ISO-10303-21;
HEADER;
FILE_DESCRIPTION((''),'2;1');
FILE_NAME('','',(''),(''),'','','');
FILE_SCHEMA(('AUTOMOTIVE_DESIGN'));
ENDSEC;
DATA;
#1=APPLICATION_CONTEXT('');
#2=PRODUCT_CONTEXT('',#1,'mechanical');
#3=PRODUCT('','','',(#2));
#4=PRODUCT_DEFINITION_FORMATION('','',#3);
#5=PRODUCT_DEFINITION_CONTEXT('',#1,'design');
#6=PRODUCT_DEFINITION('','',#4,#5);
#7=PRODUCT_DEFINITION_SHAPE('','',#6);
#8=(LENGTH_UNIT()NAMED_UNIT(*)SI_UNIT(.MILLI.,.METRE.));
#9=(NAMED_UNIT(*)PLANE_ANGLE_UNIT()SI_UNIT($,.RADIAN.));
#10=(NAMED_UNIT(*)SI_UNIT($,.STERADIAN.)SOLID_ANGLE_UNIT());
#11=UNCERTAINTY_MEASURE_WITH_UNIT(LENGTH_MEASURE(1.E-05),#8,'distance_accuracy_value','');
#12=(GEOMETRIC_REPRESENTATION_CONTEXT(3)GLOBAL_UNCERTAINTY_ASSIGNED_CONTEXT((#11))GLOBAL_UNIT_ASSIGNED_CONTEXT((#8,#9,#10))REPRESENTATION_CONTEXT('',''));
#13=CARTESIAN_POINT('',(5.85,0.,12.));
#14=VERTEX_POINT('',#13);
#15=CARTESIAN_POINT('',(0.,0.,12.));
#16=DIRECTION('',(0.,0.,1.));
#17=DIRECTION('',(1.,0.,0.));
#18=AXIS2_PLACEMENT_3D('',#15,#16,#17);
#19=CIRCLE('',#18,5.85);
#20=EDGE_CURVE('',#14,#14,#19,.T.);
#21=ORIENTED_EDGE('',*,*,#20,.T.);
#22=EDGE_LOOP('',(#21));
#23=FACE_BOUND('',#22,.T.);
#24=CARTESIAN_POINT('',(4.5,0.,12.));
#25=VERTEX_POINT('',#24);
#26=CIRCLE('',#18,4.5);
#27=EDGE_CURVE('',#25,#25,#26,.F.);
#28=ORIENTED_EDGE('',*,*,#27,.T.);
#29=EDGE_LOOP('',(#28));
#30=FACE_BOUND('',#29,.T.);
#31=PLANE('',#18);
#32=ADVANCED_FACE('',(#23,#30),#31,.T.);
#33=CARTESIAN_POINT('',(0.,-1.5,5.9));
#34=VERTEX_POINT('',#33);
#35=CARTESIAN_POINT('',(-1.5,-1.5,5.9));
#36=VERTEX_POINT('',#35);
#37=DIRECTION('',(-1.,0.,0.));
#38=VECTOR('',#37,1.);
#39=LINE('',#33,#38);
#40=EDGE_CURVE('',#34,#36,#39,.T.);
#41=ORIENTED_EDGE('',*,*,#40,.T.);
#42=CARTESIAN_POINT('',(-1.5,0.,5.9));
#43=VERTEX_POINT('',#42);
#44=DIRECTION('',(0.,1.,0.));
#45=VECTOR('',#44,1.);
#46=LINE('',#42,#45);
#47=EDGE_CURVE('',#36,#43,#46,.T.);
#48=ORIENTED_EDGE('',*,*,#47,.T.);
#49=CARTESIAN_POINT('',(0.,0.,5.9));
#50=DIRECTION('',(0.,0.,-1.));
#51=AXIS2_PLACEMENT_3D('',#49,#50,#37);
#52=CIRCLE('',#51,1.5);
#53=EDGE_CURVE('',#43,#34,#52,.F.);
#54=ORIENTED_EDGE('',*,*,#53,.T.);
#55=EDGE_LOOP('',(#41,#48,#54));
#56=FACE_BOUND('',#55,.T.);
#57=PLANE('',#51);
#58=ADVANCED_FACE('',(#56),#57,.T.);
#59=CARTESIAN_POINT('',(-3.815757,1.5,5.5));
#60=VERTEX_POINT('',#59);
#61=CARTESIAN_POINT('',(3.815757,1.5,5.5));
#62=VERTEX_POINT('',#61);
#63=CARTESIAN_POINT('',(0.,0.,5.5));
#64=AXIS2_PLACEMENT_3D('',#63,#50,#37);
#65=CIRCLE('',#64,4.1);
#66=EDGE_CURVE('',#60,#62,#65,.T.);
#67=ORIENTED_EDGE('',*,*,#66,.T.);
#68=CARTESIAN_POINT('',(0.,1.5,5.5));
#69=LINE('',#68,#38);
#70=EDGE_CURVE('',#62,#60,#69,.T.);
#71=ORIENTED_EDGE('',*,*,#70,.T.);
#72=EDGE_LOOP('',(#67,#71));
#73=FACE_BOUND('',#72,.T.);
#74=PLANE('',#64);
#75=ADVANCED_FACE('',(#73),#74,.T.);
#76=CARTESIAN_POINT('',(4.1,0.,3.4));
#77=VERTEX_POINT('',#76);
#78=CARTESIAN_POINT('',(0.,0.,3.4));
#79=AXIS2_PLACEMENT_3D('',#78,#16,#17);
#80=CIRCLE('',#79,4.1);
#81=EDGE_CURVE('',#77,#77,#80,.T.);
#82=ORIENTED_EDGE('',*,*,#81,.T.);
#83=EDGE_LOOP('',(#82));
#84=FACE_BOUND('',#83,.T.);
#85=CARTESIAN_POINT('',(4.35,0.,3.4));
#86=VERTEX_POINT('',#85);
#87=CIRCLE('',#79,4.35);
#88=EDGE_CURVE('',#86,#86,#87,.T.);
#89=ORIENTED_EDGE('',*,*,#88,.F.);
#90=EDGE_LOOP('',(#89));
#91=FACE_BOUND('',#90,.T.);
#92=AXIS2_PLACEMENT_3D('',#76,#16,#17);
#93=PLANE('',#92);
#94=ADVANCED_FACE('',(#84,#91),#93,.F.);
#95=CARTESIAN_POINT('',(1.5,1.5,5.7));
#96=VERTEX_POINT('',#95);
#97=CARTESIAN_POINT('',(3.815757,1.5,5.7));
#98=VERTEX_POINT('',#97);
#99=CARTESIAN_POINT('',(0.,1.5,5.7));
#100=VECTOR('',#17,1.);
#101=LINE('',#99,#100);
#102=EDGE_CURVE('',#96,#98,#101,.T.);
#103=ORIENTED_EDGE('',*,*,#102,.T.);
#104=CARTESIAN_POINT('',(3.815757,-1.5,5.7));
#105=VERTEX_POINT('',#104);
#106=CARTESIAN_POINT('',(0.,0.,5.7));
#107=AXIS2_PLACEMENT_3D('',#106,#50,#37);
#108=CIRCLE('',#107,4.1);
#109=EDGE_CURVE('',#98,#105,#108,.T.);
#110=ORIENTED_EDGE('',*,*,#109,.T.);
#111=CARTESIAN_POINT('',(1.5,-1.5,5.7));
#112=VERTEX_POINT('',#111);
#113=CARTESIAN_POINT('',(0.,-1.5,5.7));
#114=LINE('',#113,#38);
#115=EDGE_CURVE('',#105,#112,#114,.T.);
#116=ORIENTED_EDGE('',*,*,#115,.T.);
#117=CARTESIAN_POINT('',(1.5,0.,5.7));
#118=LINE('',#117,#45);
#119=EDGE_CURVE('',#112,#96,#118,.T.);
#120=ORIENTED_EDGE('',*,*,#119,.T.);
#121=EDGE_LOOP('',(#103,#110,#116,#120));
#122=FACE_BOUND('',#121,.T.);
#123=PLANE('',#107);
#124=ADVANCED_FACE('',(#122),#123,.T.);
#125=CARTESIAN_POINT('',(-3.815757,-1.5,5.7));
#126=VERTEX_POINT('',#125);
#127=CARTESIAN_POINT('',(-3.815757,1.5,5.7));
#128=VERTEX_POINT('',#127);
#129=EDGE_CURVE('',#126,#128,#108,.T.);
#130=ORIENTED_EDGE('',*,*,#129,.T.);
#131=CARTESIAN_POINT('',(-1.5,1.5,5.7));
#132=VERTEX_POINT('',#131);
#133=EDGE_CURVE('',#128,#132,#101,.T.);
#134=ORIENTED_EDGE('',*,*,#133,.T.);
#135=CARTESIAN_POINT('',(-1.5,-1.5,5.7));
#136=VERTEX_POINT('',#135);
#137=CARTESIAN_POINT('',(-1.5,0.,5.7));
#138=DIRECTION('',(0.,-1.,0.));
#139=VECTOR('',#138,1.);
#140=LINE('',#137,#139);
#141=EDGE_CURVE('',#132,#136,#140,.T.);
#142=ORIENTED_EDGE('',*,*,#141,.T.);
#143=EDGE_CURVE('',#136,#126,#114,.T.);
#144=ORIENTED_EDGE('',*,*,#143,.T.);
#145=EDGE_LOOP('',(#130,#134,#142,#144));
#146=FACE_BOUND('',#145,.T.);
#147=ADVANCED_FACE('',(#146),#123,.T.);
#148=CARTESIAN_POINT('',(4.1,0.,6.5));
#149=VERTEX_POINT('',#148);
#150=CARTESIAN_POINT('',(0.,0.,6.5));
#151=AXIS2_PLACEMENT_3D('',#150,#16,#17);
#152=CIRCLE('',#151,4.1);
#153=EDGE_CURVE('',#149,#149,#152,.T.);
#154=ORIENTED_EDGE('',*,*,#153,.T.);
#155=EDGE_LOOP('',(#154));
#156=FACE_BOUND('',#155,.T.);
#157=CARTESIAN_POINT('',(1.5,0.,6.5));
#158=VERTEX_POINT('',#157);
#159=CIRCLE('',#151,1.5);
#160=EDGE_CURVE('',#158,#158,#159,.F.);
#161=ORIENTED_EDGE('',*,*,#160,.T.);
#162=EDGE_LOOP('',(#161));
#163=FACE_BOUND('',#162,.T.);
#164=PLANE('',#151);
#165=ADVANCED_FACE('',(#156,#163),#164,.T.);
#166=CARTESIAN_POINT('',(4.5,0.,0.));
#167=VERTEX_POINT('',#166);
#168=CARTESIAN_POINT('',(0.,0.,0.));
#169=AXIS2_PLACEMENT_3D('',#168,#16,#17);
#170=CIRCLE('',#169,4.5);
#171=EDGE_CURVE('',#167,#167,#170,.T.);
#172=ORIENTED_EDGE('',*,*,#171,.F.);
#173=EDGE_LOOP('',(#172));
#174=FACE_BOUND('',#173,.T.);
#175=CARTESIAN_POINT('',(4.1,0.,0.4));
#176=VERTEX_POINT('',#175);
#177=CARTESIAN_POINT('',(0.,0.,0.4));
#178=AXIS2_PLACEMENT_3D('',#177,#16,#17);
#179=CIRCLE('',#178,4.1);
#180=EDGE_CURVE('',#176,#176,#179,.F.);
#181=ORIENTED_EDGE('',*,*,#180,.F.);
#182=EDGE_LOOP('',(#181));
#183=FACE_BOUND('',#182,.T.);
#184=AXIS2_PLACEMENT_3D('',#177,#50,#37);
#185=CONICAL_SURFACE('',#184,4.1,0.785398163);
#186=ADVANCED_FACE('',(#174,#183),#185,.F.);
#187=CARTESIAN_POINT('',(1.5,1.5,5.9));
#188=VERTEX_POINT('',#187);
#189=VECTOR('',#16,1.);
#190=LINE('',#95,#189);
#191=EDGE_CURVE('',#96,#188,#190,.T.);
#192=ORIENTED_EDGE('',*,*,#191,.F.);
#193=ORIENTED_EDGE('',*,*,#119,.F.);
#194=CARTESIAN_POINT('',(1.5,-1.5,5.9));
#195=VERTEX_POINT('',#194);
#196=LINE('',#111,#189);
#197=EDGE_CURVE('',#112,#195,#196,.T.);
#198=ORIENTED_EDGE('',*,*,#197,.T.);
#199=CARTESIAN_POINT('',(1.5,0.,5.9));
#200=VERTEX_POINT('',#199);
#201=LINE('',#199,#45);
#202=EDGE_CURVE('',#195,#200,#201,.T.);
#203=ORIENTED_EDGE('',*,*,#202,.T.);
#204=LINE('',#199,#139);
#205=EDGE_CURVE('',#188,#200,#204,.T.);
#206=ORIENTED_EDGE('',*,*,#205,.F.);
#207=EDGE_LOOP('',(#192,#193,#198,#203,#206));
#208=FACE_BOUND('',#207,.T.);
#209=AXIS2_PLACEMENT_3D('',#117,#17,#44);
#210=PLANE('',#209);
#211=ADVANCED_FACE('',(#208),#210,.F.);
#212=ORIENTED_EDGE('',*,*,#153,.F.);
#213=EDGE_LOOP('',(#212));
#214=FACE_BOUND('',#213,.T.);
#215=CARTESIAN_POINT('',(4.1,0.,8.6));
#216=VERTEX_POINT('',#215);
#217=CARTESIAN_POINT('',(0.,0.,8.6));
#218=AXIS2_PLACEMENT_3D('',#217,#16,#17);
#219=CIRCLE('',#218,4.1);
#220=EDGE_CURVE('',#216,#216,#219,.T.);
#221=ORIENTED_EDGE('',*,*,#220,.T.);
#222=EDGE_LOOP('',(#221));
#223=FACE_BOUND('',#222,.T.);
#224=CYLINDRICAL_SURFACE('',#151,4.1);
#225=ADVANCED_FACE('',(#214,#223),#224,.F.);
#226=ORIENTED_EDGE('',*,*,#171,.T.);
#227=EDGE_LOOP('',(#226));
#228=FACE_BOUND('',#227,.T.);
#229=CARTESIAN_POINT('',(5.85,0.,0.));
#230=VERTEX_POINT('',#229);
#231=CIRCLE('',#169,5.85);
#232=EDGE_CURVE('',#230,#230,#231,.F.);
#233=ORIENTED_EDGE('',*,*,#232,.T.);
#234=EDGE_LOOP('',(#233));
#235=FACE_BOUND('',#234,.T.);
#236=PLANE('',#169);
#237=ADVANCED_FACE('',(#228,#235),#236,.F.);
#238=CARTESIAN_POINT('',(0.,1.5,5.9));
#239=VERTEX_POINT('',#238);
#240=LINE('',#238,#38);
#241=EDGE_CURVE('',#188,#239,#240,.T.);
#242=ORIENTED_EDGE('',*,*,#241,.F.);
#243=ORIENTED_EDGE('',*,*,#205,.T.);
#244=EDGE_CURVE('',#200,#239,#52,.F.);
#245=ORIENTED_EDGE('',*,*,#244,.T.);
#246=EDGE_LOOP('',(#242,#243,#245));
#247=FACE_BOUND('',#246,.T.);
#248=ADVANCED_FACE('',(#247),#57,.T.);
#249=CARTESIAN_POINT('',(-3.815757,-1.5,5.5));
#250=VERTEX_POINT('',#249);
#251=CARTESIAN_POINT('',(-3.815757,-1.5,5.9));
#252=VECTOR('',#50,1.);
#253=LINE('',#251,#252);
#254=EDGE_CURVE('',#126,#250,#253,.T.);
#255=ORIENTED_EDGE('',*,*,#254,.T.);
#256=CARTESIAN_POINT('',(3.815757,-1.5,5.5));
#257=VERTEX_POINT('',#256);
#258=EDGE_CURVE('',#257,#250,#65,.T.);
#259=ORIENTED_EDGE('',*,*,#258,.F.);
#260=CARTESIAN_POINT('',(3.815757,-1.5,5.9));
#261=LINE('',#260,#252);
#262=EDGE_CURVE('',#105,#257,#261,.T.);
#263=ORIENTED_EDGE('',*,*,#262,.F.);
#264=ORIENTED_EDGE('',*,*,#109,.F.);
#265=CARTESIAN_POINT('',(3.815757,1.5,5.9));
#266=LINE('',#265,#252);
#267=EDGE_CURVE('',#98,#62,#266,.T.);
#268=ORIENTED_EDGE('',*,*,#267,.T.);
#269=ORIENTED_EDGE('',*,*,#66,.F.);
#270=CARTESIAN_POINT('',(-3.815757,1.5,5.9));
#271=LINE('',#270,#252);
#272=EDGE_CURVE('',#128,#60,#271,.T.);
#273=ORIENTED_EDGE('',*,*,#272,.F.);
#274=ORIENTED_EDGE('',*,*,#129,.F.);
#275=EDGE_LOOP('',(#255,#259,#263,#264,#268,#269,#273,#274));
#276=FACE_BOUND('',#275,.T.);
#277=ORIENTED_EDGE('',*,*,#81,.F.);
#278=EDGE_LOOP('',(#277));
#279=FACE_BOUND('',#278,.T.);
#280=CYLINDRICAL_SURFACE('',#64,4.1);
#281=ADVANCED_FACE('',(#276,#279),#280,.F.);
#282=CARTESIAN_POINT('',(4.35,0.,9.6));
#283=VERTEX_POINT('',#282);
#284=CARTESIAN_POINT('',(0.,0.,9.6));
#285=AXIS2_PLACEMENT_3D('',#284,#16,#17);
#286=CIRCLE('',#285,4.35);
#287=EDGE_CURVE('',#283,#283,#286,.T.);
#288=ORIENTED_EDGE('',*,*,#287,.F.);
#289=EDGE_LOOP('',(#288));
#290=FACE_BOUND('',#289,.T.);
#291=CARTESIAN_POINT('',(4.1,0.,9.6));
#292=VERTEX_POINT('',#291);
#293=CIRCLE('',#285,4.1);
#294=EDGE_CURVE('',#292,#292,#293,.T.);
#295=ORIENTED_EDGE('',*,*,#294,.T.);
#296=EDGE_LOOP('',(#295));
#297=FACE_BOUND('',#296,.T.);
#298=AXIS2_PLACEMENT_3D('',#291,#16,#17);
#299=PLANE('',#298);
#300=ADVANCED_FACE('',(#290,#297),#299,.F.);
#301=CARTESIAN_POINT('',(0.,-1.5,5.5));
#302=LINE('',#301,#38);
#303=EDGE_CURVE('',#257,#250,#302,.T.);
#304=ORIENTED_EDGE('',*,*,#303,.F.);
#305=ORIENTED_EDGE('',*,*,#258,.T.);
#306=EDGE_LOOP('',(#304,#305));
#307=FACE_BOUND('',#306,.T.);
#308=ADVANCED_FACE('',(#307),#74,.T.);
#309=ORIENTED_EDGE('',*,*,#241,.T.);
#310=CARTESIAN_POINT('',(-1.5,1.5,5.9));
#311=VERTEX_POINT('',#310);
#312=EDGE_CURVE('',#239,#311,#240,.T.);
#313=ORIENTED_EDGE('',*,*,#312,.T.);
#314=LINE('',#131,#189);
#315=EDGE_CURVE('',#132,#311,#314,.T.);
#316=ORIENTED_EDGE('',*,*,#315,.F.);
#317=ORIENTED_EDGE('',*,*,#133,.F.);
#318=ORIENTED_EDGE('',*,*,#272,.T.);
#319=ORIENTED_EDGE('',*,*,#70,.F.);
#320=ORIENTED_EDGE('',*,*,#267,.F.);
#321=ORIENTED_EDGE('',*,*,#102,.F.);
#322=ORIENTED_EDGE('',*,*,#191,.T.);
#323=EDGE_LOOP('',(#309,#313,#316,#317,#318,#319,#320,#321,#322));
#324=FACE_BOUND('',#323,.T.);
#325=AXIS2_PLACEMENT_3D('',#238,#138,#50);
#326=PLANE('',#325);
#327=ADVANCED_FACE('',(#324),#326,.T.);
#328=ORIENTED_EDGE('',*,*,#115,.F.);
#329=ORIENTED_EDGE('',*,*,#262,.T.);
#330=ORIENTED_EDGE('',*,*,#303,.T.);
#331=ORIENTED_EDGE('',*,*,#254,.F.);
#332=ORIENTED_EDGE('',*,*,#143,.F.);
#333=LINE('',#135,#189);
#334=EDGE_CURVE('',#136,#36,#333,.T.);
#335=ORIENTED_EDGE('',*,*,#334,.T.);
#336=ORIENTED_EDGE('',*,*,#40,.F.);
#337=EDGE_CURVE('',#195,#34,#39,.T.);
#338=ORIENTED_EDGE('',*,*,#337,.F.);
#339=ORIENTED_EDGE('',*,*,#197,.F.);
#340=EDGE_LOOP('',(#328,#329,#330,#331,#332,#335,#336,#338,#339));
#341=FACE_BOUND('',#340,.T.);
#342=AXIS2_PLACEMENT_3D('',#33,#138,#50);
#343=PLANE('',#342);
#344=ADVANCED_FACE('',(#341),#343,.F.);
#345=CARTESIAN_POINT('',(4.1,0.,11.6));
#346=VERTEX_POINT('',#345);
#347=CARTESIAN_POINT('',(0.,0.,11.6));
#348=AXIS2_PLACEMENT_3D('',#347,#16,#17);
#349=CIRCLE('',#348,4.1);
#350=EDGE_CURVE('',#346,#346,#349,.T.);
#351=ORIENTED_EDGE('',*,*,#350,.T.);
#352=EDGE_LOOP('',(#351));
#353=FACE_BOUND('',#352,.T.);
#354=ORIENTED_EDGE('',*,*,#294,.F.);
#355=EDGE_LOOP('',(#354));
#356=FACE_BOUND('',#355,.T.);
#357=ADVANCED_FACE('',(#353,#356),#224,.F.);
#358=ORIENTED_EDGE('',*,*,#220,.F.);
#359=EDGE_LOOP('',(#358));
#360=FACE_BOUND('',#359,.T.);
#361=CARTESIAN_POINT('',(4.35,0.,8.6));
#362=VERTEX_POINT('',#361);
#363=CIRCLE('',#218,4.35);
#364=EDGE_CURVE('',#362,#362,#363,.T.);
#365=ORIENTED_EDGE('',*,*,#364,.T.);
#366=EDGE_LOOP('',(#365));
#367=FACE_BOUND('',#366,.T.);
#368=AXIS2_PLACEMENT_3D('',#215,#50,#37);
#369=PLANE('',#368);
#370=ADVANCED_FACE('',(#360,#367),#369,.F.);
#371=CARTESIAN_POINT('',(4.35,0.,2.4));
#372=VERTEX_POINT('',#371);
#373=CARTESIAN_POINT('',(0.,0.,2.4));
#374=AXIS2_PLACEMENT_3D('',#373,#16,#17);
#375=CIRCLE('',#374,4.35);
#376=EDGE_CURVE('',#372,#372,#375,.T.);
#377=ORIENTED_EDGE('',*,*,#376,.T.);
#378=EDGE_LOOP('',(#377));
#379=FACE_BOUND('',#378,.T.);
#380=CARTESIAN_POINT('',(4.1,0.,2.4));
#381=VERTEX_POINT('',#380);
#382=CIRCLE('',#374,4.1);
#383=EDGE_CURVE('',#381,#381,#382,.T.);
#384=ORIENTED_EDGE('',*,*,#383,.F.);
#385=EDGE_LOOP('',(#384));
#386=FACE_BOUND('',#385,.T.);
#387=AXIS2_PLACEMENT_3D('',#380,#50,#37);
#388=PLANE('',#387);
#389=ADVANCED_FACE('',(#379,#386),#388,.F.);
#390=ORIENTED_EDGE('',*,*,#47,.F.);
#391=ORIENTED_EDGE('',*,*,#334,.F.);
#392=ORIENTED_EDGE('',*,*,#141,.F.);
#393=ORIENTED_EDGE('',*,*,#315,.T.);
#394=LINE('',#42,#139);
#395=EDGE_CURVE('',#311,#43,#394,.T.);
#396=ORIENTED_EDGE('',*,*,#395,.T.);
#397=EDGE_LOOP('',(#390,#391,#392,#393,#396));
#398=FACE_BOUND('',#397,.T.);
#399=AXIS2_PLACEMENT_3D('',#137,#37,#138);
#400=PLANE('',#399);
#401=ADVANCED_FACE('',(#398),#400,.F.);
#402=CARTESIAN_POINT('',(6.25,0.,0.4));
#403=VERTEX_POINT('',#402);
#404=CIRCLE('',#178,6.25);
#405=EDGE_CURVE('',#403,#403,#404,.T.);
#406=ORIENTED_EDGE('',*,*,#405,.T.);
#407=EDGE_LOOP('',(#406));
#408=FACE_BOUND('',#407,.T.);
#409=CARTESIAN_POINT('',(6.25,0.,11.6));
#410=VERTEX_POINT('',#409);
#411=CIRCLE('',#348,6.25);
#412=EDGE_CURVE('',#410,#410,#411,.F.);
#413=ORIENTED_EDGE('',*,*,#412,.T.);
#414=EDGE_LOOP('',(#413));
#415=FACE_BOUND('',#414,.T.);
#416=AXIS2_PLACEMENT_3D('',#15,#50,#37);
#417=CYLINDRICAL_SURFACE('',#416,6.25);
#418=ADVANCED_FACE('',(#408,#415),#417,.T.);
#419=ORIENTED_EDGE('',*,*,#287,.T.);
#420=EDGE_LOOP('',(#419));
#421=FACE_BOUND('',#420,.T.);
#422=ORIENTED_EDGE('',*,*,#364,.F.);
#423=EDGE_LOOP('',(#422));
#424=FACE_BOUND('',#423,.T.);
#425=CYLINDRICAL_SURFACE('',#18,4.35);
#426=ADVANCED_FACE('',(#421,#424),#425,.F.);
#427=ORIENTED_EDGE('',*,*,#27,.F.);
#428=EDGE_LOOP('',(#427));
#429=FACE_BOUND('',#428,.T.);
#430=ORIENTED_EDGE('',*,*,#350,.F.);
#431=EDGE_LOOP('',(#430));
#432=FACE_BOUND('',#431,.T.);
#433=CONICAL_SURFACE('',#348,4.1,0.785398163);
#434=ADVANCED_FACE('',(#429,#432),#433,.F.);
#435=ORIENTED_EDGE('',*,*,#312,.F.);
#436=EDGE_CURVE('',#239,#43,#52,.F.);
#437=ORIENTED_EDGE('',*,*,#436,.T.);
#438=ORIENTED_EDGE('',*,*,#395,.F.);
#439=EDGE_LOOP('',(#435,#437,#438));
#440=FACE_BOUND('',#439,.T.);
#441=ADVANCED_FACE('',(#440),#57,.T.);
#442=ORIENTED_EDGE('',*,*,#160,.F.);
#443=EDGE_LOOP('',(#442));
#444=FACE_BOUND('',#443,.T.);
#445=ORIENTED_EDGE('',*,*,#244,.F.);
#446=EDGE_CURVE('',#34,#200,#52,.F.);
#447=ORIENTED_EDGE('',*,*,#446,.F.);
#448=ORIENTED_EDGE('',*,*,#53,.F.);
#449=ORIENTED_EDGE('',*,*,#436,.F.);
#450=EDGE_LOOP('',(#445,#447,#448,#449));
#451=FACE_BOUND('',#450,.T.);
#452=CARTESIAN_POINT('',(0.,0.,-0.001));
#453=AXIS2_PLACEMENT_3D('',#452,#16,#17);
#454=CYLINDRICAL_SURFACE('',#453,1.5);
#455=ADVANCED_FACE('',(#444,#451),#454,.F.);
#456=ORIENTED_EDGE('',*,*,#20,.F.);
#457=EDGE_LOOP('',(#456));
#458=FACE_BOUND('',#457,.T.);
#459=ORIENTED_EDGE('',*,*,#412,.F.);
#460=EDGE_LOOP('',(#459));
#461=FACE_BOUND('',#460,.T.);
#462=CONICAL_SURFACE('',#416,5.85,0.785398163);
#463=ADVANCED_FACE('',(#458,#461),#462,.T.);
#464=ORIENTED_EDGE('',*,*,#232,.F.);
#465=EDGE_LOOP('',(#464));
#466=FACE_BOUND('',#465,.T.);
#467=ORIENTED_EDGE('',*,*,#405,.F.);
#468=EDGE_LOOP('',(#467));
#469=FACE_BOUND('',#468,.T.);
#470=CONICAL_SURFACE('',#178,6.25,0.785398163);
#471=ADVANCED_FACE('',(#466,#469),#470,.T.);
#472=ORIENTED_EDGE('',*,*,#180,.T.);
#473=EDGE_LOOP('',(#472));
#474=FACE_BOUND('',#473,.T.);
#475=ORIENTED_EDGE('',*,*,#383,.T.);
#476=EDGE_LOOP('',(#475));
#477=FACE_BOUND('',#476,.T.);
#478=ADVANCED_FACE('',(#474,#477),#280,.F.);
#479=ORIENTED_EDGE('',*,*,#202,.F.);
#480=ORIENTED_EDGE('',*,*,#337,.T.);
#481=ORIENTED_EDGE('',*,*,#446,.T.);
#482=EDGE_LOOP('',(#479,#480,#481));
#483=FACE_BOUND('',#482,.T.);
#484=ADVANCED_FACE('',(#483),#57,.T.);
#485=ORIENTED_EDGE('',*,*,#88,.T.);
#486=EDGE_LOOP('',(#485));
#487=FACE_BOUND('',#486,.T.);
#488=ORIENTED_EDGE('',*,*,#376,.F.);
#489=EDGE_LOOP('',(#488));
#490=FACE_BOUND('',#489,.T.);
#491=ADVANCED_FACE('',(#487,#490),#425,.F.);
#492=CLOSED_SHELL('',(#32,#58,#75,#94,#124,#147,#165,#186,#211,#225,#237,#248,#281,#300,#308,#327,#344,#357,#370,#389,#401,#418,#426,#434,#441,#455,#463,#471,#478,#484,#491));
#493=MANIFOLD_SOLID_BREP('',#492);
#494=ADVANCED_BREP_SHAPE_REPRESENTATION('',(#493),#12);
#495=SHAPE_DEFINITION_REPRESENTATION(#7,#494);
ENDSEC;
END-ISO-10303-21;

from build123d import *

# Parameters (mm, degrees)
SKETCH1_R           = 6.25
BOSS_EXTRUDE1_DEPTH = 12
CUT_EXTRUDE1_REACH  = 14
SKETCH2_R           = 1.5
SKETCH3_R           = 4.1
CUT_EXTRUDE2_DEPTH  = 5.5
SKETCH4_R           = 4.1
CUT_EXTRUDE3_DEPTH  = 5.5
SKETCH5_W           = 0.25
SKETCH5_H           = 1
CUT_EXTRUDE4_DEPTH  = 0.4
BOSS_EXTRUDE2_DEPTH = 0.2
CHAMFER1_SIZE       = 0.4


with BuildPart() as part:
    # Sketch1 → Boss-Extrude1 (new body)
    with BuildSketch(Plane.XY):
        Circle(SKETCH1_R)
    extrude(amount=BOSS_EXTRUDE1_DEPTH)

    # Sketch2 → Cut-Extrude1 (cut, up to next)
    with BuildSketch(Plane.XY.offset(12), mode=Mode.PRIVATE) as cut_extrude1_sk1:
        Circle(SKETCH2_R)
    cut_extrude1_tool1 = extrude(cut_extrude1_sk1.sketch, amount=-CUT_EXTRUDE1_REACH, mode=Mode.PRIVATE) & part.part
    add(cut_extrude1_tool1.solids().sort_by_distance((0, 0, 12))[0], mode=Mode.SUBTRACT)

    # Sketch3 → Cut-Extrude2 (cut)
    with BuildSketch(Plane.XY.offset(12)):
        Circle(SKETCH3_R)
    extrude(amount=-CUT_EXTRUDE2_DEPTH, mode=Mode.SUBTRACT)

    # Sketch4 → Cut-Extrude3 (cut)
    with BuildSketch(Plane(origin=(0, 0, 0), x_dir=(-1, 0, 0), z_dir=(0, 0, -1))):
        Circle(SKETCH4_R)
    extrude(amount=-CUT_EXTRUDE3_DEPTH, mode=Mode.SUBTRACT)

    # Sketch5 → Cut-Revolve1 (revolve, cut)
    with BuildSketch(Plane(origin=(0, 0, 0), x_dir=(1, 0, 0), z_dir=(0, 1, 0))):
        with Locations((4.225, -2.9)):
            Rectangle(SKETCH5_W, SKETCH5_H)
        with Locations((4.225, -9.1)):
            Rectangle(SKETCH5_W, SKETCH5_H)
    revolve(axis=Axis((0, 0, 12), (0, 0, -1)), mode=Mode.SUBTRACT)

    # Sketch6 → Cut-Extrude4 (cut)
    with BuildSketch(Plane(origin=(0, 0, 5.5), x_dir=(-1, 0, 0), z_dir=(0, 0, -1))):
        with BuildLine():
            ThreePointArc((-3.815756806, 1.5), (-4.1, 0), (-3.815756806, -1.5))
            Line((-3.815756806, -1.5), (0, -1.5))
            ThreePointArc((0, -1.5), (-1.5, 0), (0, 1.5))
            Line((0, 1.5), (-3.815756806, 1.5))
        make_face()
        with BuildLine():
            ThreePointArc((1.5, 0), (1.060660172, -1.060660172), (0, -1.5))
            Line((0, -1.5), (3.815756806, -1.5))
            ThreePointArc((3.815756806, -1.5), (4.028312482, -0.763346938), (4.1, 0))
            ThreePointArc((4.1, 0), (4.028312482, 0.763346938), (3.815756806, 1.5))
            Line((3.815756806, 1.5), (0, 1.5))
            ThreePointArc((0, 1.5), (1.060660172, 1.060660172), (1.5, 0))
        make_face()
    extrude(amount=-CUT_EXTRUDE4_DEPTH, mode=Mode.SUBTRACT)

    # Sketch7 → Boss-Extrude2 (add)
    with BuildSketch(Plane(origin=(0, 0, 5.9), x_dir=(-1, 0, 0), z_dir=(0, 0, -1))):
        with BuildLine():
            Line((-1.5, 0), (-1.5, 1.5))
            Line((-1.5, 1.5), (-3.815756806, 1.5))
            ThreePointArc((-3.815756806, 1.5), (-4.1, 0), (-3.815756806, -1.5))
            Line((-3.815756806, -1.5), (-1.5, -1.5))
            Line((-1.5, -1.5), (-1.5, 0))
        make_face()
        with BuildLine():
            ThreePointArc((3.815756806, -1.5), (4.1, 0), (3.815756806, 1.5))
            Line((3.815756806, 1.5), (1.5, 1.5))
            Line((1.5, 1.5), (1.5, 0))
            Line((1.5, 0), (1.5, -1.5))
            Line((1.5, -1.5), (3.815756806, -1.5))
        make_face()
    extrude(amount=BOSS_EXTRUDE2_DEPTH)

    # Chamfer1
    chamfer1_edges = [part.edges().sort_by_distance(p)[0] for p in [
        (-4.1, 0, 12),
        (4.1, 0, 0),
        (-6.25, 0, 0),
        (-6.25, 0, 12),
    ]]
    chamfer(chamfer1_edges, length=CHAMFER1_SIZE)


solid = part.part
